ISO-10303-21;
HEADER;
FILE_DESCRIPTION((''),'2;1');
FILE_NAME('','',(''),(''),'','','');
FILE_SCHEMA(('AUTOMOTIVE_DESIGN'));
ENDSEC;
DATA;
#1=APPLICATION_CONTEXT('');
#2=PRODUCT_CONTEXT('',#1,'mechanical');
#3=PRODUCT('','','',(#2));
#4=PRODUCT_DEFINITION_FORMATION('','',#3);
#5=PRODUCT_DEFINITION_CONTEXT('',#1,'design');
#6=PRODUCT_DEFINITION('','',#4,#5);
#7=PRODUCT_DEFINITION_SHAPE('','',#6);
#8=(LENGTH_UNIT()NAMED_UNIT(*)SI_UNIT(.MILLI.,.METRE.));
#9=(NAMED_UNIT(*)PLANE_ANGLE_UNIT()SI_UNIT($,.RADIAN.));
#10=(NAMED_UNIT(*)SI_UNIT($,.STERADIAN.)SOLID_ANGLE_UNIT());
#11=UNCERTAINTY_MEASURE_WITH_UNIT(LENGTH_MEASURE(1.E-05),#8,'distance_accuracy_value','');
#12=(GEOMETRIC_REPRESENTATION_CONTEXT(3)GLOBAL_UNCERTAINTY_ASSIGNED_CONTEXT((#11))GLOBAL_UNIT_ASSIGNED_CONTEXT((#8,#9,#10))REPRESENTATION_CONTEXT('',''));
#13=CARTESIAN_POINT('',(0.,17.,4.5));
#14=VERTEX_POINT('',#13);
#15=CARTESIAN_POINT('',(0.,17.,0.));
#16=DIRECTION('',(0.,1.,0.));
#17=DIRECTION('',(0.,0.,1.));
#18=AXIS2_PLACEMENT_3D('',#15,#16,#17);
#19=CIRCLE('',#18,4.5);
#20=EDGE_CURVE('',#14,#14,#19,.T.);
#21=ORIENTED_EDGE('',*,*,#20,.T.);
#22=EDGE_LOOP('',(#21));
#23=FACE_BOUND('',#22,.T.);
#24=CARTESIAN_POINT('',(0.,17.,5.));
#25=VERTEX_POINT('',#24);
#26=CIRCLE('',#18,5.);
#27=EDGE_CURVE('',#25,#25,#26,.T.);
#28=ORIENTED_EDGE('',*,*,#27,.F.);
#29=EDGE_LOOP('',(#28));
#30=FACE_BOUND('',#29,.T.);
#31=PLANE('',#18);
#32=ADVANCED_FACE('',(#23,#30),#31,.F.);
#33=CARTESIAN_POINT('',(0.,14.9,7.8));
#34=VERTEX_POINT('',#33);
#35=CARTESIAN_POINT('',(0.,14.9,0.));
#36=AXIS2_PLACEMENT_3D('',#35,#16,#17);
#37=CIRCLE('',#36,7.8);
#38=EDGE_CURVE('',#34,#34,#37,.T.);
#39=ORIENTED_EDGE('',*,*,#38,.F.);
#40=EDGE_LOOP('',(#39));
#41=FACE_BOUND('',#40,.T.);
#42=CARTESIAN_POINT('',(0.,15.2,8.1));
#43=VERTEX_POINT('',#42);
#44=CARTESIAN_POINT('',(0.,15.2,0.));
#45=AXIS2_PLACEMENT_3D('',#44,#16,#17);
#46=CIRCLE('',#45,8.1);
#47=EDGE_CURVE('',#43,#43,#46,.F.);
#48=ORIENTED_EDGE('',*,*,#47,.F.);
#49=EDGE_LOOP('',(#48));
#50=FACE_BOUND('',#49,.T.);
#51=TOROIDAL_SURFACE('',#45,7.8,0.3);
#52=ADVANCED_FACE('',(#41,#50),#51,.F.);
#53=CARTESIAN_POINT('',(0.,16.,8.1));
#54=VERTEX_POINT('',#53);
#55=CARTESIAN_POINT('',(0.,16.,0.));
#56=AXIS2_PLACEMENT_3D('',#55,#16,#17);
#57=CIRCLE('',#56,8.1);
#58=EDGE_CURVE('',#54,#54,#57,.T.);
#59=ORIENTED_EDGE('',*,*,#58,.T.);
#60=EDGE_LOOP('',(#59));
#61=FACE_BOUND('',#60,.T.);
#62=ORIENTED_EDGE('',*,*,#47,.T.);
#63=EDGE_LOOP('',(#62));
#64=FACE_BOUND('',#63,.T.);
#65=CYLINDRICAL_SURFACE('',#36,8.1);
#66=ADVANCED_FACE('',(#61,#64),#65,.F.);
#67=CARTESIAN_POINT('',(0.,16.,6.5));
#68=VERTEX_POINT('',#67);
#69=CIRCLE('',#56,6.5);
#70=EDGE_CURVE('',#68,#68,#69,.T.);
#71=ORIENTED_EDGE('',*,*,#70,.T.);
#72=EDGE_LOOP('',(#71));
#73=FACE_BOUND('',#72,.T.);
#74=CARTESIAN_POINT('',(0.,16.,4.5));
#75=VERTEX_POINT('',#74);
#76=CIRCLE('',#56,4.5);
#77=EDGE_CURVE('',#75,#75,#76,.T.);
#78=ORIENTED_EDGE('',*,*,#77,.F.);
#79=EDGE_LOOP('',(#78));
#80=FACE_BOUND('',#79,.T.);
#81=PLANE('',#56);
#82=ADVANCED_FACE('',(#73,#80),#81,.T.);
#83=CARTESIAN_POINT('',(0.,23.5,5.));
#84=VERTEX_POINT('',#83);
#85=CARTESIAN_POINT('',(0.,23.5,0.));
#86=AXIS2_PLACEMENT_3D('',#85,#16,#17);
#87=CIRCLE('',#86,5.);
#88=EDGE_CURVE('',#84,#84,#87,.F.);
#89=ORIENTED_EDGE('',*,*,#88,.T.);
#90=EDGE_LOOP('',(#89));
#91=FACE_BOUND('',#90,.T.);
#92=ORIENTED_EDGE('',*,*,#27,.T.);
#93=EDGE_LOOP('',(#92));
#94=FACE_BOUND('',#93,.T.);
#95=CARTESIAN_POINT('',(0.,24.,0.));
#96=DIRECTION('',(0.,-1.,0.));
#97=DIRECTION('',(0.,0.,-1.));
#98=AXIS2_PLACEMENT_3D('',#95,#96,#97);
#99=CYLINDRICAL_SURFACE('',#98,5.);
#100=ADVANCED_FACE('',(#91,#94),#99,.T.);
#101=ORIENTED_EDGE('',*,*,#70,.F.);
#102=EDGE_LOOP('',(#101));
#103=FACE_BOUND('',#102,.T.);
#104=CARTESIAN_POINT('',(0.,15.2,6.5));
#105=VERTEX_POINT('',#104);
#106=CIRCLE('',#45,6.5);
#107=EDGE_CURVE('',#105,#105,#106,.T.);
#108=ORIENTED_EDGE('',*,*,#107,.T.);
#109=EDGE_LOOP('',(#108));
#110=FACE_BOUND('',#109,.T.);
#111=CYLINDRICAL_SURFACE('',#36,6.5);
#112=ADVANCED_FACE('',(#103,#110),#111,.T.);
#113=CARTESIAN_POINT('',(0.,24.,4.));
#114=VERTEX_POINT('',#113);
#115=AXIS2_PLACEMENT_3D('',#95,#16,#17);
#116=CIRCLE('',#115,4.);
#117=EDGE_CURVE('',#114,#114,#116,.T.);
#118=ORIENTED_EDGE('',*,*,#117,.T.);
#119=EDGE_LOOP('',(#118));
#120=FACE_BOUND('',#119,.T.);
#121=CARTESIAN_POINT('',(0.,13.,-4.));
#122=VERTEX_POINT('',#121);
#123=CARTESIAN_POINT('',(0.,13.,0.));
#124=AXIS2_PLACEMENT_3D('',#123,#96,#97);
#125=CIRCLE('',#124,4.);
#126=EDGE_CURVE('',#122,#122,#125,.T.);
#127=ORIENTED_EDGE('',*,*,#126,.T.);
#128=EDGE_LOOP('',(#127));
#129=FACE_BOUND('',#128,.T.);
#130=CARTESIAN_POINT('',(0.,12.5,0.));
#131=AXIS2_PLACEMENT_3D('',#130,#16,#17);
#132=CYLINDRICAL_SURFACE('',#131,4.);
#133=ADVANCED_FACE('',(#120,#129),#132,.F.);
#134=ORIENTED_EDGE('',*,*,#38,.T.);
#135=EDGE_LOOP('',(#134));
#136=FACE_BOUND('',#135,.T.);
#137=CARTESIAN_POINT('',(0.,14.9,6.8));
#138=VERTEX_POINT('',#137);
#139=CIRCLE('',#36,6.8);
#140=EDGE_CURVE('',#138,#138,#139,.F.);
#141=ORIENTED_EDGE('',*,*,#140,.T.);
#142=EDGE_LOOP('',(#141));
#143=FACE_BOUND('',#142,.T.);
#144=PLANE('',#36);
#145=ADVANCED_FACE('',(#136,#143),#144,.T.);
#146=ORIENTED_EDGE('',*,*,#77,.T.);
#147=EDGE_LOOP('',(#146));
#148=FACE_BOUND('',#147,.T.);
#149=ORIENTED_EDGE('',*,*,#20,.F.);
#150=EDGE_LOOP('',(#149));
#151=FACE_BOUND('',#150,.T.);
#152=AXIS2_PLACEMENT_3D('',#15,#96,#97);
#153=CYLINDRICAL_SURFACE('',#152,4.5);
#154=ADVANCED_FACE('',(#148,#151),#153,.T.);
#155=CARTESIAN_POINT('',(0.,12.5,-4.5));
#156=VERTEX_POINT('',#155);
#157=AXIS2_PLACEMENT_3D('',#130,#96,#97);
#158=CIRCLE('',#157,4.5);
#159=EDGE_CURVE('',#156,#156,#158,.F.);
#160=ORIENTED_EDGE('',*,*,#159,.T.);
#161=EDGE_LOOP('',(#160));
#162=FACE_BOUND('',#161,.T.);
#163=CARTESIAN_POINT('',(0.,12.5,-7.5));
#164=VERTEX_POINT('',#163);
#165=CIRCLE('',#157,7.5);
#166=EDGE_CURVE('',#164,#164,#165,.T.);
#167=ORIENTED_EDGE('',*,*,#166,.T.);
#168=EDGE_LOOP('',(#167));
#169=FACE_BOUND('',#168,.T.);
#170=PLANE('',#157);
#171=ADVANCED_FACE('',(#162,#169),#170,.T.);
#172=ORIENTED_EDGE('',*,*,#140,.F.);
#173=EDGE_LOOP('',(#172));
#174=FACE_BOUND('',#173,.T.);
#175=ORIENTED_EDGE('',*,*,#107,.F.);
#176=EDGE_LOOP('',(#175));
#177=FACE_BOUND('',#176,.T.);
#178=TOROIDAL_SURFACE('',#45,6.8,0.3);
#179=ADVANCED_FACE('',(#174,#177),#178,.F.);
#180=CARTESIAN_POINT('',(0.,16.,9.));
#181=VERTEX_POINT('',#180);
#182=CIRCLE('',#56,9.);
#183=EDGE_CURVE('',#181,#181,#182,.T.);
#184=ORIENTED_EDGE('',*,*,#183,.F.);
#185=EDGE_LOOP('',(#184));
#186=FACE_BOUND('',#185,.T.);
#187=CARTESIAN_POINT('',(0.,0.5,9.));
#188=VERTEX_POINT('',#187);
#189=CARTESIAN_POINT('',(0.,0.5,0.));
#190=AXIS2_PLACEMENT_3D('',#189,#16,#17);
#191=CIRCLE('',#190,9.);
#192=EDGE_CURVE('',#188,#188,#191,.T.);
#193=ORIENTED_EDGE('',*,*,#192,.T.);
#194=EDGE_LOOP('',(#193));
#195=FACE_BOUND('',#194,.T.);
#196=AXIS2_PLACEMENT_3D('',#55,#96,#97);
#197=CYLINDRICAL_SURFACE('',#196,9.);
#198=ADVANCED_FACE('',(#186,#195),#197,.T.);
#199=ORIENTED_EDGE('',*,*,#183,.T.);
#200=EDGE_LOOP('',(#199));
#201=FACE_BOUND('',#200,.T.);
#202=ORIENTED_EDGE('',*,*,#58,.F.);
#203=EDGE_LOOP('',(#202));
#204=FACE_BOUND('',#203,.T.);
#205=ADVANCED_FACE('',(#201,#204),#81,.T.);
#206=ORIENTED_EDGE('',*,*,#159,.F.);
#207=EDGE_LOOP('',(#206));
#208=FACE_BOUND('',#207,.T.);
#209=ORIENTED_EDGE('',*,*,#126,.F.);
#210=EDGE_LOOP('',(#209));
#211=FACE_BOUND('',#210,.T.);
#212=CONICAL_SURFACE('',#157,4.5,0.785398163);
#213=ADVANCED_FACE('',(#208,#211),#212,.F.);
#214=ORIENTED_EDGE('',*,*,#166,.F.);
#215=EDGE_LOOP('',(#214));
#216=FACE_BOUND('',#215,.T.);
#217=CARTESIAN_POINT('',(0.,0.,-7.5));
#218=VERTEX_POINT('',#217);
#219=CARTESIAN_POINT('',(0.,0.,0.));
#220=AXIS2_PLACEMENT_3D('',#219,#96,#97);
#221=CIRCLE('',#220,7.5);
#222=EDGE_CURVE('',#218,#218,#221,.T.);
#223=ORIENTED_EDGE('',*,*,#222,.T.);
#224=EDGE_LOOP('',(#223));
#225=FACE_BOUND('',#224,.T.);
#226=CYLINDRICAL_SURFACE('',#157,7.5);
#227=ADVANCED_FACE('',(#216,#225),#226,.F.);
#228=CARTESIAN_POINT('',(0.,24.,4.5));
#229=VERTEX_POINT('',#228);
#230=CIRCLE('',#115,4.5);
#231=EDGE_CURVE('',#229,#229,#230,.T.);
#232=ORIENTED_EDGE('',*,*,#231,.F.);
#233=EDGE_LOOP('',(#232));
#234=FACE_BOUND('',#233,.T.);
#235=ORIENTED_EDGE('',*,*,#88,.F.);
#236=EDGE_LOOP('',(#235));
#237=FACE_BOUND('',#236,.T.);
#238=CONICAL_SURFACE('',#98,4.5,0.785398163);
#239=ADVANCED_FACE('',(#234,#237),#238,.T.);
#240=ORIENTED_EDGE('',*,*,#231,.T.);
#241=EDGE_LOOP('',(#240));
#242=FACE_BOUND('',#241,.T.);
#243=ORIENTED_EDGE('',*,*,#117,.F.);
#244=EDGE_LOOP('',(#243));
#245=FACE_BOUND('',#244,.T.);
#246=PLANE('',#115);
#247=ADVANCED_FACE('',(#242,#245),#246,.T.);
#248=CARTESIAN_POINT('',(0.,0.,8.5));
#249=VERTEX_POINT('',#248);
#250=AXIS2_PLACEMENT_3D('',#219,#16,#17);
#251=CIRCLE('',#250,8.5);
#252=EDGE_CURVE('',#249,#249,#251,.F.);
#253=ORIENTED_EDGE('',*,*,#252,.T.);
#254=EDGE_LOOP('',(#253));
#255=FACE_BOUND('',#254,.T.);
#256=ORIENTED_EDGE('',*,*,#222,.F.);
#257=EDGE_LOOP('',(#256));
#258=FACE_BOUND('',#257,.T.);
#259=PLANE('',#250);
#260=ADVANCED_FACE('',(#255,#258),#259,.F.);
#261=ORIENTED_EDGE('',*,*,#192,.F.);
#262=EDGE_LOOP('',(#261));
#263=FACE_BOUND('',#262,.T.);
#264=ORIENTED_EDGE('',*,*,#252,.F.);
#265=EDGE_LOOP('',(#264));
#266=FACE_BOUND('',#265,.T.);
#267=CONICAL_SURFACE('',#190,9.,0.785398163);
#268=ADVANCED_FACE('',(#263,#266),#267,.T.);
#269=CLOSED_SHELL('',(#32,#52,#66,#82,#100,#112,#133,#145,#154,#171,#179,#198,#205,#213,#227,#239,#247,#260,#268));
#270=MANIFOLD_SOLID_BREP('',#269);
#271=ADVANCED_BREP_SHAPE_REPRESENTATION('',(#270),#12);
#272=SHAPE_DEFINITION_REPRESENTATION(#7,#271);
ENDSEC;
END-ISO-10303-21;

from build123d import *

# Parameters (mm, degrees)
SKETCH_1_R          = 9
EXTRUDE_1_DEPTH     = 16
SKETCH_2_R          = 7.5
CUT_EXTRUDE_1_DEPTH = 12.5
SKETCH_4_R          = 4.5
EXTRUDE_2_DEPTH     = 1
SKETCH_5_R          = 5
EXTRUDE_3_DEPTH     = 7
SKETCH_6_R          = 8.1
SKETCH_6_R_2        = 6.5
CUT_EXTRUDE_2_DEPTH = 1.1
CHAMFER_1_SIZE      = 0.5
FILLET_1_R          = 0.3
SKETCH_15_R         = 4
CUT_EXTRUDE_4_DEPTH = 11.5
CHAMFER_4_SIZE      = 0.5
CHAMFER_5_SIZE      = 0.5


with BuildPart() as part:
    # 草图1 → 凸台-拉伸1 (new body)
    with BuildSketch(Plane(origin=(0, 0, 0), x_dir=(1, 0, 0), z_dir=(0, 1, 0))):
        with Locations(Location((0, 0, 0), (0, 0, 270))):
            Circle(SKETCH_1_R)
    extrude(amount=EXTRUDE_1_DEPTH)

    # 草图2 → 切除-拉伸1 (cut)
    with BuildSketch(Plane.XZ):
        with Locations(Location((0, 0, 0), (0, 0, 270))):
            Circle(SKETCH_2_R)
    extrude(amount=-CUT_EXTRUDE_1_DEPTH, mode=Mode.SUBTRACT)

    # 草图4 → 凸台-拉伸2 (add)
    with BuildSketch(Plane(origin=(0, 16, 0), x_dir=(1, 0, 0), z_dir=(0, 1, 0))):
        with Locations(Location((0, 0, 0), (0, 0, 270))):
            Circle(SKETCH_4_R)
    extrude(amount=EXTRUDE_2_DEPTH)

    # 草图5 → 凸台-拉伸3 (add)
    with BuildSketch(Plane(origin=(0, 17, 0), x_dir=(1, 0, 0), z_dir=(0, 1, 0))):
        with Locations(Location((0, 0, 0), (0, 0, 270))):
            Circle(SKETCH_5_R)
    extrude(amount=EXTRUDE_3_DEPTH)

    # 草图6 → 切除-拉伸2 (cut)
    with BuildSketch(Plane(origin=(0, 16, 0), x_dir=(1, 0, 0), z_dir=(0, 1, 0))):
        with Locations(Location((0, 0, 0), (0, 0, 270))):
            Circle(SKETCH_6_R)
        with Locations(Location((0, 0, 0), (0, 0, 270))):
            Circle(SKETCH_6_R_2, mode=Mode.SUBTRACT)
    extrude(amount=-CUT_EXTRUDE_2_DEPTH, mode=Mode.SUBTRACT)

    # 倒角1
    chamfer_1_edges = [part.edges().sort_by_distance(p)[0] for p in [
        (0, 24, -5),
    ]]
    chamfer(chamfer_1_edges, length=CHAMFER_1_SIZE)

    # 圆角1
    fillet_1_edges = [part.edges().sort_by_distance(p)[0] for p in [
        (0, 14.9, -8.1),
        (0, 14.9, -6.5),
    ]]
    fillet(fillet_1_edges, radius=FILLET_1_R)

    # 草图15 → 切除-拉伸4 (cut)
    with BuildSketch(Plane(origin=(0, 24, 0), x_dir=(1, 0, 0), z_dir=(0, 1, 0))):
        with Locations(Location((0, 0, 0), (0, 0, 270))):
            Circle(SKETCH_15_R)
    extrude(amount=-CUT_EXTRUDE_4_DEPTH, mode=Mode.SUBTRACT)

    # 倒角4
    chamfer_4_edges = [part.edges().sort_by_distance(p)[0] for p in [
        (0, 12.5, -4),
    ]]
    chamfer(chamfer_4_edges, length=CHAMFER_4_SIZE)

    # 倒角5
    chamfer_5_edges = [part.edges().sort_by_distance(p)[0] for p in [
        (0, 0, -9),
    ]]
    chamfer(chamfer_5_edges, length=CHAMFER_5_SIZE)


solid = part.part
